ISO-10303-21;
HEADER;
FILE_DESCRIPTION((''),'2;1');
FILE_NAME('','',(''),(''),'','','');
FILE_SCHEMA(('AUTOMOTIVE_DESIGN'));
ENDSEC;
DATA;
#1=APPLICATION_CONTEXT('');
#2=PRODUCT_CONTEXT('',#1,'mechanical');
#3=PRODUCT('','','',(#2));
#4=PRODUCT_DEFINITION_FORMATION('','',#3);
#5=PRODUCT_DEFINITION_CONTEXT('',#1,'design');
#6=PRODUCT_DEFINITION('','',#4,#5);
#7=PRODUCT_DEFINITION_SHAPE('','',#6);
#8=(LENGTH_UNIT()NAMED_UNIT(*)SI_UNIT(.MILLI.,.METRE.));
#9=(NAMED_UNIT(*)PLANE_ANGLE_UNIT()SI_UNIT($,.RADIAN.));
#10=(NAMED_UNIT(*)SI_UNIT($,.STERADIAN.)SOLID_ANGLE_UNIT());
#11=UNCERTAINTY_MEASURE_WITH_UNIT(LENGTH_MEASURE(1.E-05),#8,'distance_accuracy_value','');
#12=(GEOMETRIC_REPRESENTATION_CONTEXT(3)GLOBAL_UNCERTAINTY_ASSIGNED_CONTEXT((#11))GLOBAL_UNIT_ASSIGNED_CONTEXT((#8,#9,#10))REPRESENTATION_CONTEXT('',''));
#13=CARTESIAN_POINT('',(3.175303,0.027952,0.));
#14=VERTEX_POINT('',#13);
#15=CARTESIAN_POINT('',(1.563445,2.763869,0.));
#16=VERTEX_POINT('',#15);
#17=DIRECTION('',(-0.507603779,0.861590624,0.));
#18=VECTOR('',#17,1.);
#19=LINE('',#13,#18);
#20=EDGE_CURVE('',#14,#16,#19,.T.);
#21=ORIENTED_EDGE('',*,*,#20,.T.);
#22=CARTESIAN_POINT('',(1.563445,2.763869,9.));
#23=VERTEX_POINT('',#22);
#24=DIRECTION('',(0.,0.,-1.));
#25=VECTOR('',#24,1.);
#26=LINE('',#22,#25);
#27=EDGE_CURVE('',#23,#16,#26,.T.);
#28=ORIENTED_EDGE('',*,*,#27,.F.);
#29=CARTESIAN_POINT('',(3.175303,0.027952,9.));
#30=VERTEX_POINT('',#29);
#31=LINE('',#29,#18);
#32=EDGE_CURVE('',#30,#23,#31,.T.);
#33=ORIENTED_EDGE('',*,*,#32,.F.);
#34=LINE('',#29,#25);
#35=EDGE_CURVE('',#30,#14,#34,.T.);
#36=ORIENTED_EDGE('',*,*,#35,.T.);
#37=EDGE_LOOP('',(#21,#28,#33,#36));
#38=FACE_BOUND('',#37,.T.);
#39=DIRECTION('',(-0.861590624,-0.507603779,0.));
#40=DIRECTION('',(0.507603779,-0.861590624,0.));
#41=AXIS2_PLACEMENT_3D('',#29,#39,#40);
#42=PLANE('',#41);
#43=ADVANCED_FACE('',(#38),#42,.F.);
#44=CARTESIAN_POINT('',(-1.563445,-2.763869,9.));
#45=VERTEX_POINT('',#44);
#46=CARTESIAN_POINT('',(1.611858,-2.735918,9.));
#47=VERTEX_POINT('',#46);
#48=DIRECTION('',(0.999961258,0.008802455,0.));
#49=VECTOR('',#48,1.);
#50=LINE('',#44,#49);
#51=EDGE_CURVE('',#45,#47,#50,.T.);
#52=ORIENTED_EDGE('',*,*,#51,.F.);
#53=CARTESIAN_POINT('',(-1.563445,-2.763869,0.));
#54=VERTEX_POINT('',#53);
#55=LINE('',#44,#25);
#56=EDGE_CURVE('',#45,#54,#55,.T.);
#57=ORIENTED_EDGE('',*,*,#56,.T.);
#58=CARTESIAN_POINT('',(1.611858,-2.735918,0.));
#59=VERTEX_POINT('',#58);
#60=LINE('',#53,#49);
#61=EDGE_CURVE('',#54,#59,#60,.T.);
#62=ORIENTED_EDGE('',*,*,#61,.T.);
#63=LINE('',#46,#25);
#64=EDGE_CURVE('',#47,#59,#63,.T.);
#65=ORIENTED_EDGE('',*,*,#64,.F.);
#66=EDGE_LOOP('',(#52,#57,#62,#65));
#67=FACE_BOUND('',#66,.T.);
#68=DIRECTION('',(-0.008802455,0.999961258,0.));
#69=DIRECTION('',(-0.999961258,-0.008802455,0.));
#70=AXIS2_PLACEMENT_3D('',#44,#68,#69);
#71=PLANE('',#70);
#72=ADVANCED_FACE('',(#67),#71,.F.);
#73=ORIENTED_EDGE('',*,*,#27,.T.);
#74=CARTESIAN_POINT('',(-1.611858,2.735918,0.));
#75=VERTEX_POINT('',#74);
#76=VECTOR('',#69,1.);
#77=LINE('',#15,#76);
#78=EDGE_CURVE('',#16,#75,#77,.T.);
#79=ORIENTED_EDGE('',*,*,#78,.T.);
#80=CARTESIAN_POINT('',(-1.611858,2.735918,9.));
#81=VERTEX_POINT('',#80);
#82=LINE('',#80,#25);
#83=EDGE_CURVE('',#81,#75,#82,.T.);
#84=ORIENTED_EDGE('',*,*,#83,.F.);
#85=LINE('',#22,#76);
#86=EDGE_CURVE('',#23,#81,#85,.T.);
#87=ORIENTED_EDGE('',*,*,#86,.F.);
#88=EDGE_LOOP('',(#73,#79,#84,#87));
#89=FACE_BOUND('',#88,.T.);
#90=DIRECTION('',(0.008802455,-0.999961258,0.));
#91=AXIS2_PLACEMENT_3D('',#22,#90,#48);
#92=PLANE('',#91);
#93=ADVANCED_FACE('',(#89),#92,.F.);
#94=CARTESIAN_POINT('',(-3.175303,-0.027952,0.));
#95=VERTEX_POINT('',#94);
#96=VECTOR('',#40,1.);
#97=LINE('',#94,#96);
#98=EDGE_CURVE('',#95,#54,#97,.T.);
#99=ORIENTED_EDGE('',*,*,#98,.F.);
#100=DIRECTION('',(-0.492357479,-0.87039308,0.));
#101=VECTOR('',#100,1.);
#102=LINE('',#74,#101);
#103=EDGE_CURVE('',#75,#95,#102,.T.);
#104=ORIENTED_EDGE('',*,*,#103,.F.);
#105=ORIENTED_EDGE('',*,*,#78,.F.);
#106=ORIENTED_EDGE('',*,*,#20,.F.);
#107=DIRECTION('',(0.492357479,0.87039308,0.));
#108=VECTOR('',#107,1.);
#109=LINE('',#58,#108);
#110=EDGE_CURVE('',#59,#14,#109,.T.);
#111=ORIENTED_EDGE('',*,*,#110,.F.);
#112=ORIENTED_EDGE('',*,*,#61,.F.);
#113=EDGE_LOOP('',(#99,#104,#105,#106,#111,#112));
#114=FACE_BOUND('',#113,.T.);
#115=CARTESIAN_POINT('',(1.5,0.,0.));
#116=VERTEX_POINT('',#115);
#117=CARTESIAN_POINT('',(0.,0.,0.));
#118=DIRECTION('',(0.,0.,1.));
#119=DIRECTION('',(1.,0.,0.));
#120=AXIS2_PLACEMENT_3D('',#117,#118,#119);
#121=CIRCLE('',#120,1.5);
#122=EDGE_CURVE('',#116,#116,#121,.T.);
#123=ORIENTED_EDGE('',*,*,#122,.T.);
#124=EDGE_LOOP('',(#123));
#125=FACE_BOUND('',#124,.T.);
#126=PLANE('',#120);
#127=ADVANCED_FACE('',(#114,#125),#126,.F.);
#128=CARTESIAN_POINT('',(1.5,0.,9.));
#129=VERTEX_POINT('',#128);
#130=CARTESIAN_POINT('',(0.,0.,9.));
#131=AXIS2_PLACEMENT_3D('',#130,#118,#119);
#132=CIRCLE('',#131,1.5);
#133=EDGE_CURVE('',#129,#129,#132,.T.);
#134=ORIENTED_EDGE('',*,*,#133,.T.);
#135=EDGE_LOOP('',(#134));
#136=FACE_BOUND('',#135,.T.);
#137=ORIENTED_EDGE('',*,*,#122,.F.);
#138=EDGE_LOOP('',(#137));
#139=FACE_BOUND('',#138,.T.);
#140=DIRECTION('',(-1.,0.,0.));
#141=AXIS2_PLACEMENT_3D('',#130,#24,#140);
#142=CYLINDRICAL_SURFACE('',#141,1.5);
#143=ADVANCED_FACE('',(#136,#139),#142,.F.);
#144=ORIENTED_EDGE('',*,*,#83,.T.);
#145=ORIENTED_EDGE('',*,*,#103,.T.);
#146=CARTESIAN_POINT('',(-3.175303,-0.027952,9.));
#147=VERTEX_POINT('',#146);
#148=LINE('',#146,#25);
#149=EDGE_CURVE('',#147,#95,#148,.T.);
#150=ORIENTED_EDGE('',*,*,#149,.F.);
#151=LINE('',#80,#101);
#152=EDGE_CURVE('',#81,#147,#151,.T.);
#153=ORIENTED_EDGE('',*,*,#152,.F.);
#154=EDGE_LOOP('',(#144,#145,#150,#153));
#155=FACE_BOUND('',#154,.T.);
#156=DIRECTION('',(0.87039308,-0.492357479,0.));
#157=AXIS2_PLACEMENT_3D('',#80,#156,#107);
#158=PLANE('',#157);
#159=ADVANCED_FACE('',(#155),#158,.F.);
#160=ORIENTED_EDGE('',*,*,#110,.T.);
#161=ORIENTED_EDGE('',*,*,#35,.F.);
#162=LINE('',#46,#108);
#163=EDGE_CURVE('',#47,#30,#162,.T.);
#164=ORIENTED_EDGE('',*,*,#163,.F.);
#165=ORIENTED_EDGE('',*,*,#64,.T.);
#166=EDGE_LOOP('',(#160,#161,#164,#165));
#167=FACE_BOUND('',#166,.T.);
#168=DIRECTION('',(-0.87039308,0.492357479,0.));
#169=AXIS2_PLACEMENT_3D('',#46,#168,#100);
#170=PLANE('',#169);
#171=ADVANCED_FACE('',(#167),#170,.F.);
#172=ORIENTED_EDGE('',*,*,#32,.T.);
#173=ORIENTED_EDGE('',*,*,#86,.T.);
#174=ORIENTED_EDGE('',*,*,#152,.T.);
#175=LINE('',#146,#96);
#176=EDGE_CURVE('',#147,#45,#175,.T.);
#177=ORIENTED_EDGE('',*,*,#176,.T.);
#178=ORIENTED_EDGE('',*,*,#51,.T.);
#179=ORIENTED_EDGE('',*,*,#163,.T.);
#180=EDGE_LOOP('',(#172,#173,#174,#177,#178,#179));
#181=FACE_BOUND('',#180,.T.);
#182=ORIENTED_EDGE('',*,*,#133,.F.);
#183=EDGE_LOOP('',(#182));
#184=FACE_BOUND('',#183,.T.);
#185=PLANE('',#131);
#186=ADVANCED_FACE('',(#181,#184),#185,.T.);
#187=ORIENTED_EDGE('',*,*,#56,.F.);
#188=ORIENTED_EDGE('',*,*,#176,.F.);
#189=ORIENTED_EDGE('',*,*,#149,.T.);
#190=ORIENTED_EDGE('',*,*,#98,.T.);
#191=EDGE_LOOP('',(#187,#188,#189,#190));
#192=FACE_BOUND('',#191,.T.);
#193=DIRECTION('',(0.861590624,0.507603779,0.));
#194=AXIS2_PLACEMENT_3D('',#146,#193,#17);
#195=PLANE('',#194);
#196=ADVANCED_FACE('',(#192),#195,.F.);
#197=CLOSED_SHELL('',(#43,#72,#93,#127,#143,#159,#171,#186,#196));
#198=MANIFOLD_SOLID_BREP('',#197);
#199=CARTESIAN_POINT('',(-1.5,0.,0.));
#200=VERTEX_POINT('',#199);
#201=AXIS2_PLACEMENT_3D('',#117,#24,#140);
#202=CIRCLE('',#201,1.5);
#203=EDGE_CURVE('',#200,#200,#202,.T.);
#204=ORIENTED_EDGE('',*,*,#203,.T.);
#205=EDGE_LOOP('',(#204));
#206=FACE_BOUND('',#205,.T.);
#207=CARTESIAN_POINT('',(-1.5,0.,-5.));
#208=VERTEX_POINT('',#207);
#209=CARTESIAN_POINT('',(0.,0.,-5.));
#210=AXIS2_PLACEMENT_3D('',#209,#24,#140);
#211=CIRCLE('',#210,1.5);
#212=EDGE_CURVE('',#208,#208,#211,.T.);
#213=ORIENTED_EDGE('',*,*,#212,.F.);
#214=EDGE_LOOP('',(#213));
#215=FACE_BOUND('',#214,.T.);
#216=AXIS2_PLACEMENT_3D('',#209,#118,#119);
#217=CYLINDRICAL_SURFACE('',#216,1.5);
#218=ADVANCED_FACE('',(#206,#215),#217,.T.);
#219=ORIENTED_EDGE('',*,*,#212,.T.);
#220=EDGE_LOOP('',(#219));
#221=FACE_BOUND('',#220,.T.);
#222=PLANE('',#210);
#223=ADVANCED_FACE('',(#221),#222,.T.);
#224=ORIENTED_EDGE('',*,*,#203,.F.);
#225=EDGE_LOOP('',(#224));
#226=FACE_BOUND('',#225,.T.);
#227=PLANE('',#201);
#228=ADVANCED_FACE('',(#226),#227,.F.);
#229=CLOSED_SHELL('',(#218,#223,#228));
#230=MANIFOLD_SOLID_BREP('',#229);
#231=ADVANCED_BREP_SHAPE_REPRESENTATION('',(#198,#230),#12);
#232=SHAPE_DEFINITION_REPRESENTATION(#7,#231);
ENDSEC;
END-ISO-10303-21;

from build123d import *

# Parameters (mm, degrees)
SKETCH_1_R      = 1.5
EXTRUDE_1_DEPTH = 9
SKETCH_2_R      = 1.5
EXTRUDE_2_DEPTH = 5


with BuildPart() as part:
    # 草图1 → 凸台-拉伸1 (new body)
    with BuildSketch(Plane.XY):
        Polygon((1.61185848, -2.735917684), (3.175303457, 0.027951549), (1.563444977, 2.763869233), (-1.61185848, 2.735917684), (-3.175303457, -0.027951549), (-1.563444977, -2.763869233), align=None)
        Circle(SKETCH_1_R, mode=Mode.SUBTRACT)
    extrude(amount=EXTRUDE_1_DEPTH)


with BuildPart() as body_2:
    # 草图2 → 凸台-拉伸2 (new body)
    with BuildSketch(Plane(origin=(0, 0, 0), x_dir=(-1, 0, 0), z_dir=(0, 0, -1))):
        Circle(SKETCH_2_R)
    extrude(amount=EXTRUDE_2_DEPTH)


solid = Compound([part.part, body_2.part])
